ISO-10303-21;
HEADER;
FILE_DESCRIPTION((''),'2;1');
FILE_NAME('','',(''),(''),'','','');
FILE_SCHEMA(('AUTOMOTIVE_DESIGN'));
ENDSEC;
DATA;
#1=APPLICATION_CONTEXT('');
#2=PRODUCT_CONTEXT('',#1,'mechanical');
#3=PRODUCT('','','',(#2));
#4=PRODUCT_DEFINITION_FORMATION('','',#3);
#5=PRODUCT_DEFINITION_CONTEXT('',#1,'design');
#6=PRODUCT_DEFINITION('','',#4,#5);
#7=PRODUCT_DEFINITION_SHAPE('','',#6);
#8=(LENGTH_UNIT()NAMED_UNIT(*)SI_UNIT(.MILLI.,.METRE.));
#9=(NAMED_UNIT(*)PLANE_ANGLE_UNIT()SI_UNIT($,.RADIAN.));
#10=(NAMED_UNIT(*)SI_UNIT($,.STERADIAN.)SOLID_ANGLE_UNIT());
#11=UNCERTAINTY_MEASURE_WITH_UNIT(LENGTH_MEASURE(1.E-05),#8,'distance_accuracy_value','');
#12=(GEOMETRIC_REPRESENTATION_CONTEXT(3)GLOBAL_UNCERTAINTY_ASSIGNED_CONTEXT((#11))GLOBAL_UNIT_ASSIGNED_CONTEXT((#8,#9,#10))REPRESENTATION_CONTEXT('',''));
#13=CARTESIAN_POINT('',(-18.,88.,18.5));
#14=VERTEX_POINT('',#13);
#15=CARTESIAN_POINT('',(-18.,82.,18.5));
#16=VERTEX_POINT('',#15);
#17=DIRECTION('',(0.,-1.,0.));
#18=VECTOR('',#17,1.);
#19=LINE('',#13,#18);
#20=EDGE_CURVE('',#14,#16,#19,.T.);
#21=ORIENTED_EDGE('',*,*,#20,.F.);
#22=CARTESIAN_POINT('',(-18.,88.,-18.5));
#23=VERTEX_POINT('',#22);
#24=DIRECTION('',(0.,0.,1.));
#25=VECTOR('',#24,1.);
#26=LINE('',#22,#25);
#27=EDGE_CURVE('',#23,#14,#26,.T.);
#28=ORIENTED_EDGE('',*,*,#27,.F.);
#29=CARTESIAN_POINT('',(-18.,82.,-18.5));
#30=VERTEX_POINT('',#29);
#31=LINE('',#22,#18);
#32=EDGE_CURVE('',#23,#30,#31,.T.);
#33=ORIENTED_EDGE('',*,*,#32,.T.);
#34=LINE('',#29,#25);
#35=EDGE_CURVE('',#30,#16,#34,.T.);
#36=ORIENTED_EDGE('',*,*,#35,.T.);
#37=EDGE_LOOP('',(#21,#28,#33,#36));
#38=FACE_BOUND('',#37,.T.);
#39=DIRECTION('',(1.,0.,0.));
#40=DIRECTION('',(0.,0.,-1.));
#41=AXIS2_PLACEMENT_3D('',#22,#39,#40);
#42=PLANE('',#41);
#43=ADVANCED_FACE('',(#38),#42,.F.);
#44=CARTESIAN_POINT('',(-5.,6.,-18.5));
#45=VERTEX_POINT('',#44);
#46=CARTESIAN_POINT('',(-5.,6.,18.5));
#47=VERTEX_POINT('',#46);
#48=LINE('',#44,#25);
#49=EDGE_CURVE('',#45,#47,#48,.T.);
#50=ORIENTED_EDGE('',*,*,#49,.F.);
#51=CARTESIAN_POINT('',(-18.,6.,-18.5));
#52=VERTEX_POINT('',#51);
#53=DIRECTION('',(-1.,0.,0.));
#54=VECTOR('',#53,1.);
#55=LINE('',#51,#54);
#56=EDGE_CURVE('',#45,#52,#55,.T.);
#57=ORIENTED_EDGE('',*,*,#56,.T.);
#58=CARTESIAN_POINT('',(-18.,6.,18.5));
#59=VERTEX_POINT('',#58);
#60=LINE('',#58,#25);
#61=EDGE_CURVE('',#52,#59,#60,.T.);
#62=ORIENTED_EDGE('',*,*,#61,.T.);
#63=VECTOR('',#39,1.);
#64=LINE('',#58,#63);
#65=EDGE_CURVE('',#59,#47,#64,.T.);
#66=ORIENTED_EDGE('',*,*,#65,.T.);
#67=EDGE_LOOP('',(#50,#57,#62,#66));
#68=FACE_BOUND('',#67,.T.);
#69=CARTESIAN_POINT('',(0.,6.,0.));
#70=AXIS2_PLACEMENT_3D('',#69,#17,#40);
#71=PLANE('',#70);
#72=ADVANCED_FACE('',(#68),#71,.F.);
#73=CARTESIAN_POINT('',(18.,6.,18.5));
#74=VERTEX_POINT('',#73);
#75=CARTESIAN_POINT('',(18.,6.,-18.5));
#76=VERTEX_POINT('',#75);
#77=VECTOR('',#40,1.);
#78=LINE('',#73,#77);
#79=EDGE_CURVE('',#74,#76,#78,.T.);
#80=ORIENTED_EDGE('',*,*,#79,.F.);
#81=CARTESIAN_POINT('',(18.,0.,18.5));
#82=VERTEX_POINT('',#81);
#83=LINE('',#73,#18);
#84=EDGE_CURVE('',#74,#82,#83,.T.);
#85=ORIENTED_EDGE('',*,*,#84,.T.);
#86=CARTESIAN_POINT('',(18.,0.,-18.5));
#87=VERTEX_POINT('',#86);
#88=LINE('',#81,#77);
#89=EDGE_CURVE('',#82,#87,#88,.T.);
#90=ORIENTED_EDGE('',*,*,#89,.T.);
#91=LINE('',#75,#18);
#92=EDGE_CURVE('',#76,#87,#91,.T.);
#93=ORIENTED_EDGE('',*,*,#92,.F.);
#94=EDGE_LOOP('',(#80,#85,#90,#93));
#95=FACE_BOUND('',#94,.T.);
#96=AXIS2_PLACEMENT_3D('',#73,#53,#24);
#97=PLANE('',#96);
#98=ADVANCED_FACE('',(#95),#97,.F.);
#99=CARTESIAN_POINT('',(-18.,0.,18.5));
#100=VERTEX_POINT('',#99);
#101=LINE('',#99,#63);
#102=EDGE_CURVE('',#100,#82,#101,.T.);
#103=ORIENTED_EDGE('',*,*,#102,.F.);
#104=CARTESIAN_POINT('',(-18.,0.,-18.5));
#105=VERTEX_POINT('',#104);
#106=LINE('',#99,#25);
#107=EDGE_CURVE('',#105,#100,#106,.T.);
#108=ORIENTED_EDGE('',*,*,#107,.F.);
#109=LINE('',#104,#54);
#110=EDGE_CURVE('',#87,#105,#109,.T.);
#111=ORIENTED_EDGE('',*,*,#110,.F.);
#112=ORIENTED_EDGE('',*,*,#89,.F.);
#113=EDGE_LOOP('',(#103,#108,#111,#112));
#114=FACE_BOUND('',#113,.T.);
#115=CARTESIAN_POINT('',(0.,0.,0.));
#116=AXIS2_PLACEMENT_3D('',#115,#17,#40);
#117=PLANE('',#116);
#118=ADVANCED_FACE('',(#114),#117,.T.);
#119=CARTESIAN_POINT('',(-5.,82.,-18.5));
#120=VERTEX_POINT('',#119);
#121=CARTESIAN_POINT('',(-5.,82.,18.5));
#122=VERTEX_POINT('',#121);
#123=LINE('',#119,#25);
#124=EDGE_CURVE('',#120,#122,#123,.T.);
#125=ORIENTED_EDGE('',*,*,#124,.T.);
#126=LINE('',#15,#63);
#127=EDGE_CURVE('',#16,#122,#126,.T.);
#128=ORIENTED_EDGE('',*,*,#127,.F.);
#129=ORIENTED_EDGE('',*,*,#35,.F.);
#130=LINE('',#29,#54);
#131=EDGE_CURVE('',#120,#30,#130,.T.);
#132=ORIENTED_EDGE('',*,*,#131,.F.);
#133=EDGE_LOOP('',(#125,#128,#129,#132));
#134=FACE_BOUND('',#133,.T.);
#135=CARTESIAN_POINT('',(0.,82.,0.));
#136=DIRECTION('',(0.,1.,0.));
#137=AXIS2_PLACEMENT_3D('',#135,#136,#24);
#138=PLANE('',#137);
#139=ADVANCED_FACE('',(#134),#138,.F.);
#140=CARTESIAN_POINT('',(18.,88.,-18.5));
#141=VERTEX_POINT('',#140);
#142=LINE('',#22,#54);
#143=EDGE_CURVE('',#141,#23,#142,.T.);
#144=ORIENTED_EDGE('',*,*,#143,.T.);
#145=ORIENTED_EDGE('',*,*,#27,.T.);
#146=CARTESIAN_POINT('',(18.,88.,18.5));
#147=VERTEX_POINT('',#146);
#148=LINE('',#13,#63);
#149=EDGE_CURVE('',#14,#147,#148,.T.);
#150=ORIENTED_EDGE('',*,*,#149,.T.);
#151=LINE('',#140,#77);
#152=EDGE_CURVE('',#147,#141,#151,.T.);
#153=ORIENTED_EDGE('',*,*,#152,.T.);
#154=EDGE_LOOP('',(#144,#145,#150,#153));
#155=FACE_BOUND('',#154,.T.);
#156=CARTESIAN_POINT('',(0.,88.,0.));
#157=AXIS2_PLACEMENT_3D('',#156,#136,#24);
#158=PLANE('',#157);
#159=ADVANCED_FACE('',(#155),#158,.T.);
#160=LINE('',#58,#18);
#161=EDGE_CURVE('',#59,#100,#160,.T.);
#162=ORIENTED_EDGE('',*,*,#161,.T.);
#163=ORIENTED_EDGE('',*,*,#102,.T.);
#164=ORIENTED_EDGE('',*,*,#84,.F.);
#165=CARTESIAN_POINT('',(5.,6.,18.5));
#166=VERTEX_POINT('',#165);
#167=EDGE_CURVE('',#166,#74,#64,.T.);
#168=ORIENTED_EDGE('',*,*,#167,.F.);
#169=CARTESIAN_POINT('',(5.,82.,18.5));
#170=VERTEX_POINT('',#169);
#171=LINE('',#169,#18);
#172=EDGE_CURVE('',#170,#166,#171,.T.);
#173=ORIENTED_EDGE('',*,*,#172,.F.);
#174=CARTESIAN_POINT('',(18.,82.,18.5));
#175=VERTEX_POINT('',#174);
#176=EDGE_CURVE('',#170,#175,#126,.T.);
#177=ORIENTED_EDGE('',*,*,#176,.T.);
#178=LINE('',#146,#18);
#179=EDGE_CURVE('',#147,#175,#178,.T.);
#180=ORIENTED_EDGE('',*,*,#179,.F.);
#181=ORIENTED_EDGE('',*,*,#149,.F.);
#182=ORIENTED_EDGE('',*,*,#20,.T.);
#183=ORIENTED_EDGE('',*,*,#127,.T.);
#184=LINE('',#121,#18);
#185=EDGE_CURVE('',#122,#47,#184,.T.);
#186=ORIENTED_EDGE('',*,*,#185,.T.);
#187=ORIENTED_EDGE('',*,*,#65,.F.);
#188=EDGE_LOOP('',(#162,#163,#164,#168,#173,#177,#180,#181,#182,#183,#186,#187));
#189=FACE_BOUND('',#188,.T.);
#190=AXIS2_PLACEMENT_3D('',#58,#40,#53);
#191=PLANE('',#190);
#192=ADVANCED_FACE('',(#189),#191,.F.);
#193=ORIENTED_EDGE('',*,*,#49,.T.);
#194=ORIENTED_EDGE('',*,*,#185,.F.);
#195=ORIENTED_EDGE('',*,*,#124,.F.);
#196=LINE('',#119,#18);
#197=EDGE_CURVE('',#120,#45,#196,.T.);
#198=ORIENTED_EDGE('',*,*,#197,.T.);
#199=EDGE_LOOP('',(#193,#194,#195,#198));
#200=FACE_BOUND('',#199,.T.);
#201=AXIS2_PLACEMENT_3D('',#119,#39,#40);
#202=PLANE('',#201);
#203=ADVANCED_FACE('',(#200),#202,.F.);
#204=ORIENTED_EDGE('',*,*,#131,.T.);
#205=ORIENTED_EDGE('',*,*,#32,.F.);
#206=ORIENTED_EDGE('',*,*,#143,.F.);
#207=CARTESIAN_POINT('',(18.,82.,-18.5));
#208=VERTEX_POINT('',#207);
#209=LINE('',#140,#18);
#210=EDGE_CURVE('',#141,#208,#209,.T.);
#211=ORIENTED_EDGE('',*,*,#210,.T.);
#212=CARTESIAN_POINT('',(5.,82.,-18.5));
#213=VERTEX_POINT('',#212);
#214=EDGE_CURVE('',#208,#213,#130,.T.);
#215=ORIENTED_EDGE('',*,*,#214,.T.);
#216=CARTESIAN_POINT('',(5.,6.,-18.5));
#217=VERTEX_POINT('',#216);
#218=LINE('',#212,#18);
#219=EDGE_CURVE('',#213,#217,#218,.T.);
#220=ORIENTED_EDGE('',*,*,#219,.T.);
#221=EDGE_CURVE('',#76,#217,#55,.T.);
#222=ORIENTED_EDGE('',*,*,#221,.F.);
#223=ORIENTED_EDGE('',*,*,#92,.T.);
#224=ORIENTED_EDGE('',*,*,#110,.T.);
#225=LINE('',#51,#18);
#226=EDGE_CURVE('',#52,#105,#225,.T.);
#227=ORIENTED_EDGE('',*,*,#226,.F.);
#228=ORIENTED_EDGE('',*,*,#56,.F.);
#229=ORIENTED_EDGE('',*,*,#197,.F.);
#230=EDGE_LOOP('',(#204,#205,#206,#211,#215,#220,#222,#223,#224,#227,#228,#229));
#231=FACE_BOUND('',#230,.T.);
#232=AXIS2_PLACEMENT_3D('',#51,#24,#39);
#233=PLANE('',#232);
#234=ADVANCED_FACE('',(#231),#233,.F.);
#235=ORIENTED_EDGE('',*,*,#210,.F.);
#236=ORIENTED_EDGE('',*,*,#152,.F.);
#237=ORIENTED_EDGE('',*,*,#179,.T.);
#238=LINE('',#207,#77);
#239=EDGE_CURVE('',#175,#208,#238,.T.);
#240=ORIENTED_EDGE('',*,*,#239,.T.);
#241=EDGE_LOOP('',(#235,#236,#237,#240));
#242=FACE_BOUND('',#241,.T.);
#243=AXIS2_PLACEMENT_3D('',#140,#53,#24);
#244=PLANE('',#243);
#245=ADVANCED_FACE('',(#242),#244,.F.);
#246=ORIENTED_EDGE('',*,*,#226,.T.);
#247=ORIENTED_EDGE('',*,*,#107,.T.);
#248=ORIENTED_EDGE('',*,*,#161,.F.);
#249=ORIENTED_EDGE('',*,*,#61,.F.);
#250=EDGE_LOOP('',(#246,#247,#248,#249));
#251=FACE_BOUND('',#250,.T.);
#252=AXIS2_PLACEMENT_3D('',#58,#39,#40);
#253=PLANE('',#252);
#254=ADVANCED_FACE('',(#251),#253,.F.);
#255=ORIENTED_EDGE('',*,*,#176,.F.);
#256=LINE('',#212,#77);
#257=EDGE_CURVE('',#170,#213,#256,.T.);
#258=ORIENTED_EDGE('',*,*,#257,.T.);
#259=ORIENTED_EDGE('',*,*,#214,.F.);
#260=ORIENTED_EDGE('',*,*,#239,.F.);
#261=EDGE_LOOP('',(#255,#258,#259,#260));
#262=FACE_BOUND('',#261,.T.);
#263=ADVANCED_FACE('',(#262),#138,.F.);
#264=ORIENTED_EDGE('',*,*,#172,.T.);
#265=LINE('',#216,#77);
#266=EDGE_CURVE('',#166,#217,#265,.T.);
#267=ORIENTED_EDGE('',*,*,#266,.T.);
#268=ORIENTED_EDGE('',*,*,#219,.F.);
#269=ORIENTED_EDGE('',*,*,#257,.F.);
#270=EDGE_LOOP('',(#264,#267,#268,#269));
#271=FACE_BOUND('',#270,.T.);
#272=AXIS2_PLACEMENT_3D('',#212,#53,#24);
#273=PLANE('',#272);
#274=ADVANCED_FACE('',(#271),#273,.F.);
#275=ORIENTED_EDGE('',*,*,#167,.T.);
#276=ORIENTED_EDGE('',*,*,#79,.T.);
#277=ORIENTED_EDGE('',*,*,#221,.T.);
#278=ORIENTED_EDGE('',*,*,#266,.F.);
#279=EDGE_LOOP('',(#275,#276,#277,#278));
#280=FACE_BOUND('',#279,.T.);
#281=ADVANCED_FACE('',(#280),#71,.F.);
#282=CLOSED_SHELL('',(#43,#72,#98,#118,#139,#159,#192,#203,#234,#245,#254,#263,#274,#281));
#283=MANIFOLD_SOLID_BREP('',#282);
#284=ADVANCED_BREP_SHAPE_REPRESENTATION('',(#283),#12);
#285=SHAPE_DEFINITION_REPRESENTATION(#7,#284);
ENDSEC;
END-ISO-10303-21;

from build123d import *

# Parameters (mm, degrees)
SKETCH_1_W      = 36
SKETCH_1_H      = 37
EXTRUDE_1_DEPTH = 6
SKETCH_2_W      = 10
SKETCH_2_H      = 37
EXTRUDE_2_DEPTH = 76
SKETCH_3_W      = 36
SKETCH_3_H      = 37
EXTRUDE_3_DEPTH = 6


with BuildPart() as part:
    # 草图1 → 凸台-拉伸1 (new body)
    with BuildSketch(Plane(origin=(0, 0, 0), x_dir=(1, 0, 0), z_dir=(0, 1, 0))):
        Rectangle(SKETCH_1_W, SKETCH_1_H)
    extrude(amount=EXTRUDE_1_DEPTH)

    # 草图2 → 凸台-拉伸2 (add)
    with BuildSketch(Plane(origin=(0, 6, 0), x_dir=(1, 0, 0), z_dir=(0, 1, 0))):
        Rectangle(SKETCH_2_W, SKETCH_2_H)
    extrude(amount=EXTRUDE_2_DEPTH)

    # 草图3 → 凸台-拉伸3 (add)
    with BuildSketch(Plane(origin=(0, 82, 0), x_dir=(1, 0, 0), z_dir=(0, 1, 0))):
        Rectangle(SKETCH_3_W, SKETCH_3_H)
    extrude(amount=EXTRUDE_3_DEPTH)


solid = part.part
